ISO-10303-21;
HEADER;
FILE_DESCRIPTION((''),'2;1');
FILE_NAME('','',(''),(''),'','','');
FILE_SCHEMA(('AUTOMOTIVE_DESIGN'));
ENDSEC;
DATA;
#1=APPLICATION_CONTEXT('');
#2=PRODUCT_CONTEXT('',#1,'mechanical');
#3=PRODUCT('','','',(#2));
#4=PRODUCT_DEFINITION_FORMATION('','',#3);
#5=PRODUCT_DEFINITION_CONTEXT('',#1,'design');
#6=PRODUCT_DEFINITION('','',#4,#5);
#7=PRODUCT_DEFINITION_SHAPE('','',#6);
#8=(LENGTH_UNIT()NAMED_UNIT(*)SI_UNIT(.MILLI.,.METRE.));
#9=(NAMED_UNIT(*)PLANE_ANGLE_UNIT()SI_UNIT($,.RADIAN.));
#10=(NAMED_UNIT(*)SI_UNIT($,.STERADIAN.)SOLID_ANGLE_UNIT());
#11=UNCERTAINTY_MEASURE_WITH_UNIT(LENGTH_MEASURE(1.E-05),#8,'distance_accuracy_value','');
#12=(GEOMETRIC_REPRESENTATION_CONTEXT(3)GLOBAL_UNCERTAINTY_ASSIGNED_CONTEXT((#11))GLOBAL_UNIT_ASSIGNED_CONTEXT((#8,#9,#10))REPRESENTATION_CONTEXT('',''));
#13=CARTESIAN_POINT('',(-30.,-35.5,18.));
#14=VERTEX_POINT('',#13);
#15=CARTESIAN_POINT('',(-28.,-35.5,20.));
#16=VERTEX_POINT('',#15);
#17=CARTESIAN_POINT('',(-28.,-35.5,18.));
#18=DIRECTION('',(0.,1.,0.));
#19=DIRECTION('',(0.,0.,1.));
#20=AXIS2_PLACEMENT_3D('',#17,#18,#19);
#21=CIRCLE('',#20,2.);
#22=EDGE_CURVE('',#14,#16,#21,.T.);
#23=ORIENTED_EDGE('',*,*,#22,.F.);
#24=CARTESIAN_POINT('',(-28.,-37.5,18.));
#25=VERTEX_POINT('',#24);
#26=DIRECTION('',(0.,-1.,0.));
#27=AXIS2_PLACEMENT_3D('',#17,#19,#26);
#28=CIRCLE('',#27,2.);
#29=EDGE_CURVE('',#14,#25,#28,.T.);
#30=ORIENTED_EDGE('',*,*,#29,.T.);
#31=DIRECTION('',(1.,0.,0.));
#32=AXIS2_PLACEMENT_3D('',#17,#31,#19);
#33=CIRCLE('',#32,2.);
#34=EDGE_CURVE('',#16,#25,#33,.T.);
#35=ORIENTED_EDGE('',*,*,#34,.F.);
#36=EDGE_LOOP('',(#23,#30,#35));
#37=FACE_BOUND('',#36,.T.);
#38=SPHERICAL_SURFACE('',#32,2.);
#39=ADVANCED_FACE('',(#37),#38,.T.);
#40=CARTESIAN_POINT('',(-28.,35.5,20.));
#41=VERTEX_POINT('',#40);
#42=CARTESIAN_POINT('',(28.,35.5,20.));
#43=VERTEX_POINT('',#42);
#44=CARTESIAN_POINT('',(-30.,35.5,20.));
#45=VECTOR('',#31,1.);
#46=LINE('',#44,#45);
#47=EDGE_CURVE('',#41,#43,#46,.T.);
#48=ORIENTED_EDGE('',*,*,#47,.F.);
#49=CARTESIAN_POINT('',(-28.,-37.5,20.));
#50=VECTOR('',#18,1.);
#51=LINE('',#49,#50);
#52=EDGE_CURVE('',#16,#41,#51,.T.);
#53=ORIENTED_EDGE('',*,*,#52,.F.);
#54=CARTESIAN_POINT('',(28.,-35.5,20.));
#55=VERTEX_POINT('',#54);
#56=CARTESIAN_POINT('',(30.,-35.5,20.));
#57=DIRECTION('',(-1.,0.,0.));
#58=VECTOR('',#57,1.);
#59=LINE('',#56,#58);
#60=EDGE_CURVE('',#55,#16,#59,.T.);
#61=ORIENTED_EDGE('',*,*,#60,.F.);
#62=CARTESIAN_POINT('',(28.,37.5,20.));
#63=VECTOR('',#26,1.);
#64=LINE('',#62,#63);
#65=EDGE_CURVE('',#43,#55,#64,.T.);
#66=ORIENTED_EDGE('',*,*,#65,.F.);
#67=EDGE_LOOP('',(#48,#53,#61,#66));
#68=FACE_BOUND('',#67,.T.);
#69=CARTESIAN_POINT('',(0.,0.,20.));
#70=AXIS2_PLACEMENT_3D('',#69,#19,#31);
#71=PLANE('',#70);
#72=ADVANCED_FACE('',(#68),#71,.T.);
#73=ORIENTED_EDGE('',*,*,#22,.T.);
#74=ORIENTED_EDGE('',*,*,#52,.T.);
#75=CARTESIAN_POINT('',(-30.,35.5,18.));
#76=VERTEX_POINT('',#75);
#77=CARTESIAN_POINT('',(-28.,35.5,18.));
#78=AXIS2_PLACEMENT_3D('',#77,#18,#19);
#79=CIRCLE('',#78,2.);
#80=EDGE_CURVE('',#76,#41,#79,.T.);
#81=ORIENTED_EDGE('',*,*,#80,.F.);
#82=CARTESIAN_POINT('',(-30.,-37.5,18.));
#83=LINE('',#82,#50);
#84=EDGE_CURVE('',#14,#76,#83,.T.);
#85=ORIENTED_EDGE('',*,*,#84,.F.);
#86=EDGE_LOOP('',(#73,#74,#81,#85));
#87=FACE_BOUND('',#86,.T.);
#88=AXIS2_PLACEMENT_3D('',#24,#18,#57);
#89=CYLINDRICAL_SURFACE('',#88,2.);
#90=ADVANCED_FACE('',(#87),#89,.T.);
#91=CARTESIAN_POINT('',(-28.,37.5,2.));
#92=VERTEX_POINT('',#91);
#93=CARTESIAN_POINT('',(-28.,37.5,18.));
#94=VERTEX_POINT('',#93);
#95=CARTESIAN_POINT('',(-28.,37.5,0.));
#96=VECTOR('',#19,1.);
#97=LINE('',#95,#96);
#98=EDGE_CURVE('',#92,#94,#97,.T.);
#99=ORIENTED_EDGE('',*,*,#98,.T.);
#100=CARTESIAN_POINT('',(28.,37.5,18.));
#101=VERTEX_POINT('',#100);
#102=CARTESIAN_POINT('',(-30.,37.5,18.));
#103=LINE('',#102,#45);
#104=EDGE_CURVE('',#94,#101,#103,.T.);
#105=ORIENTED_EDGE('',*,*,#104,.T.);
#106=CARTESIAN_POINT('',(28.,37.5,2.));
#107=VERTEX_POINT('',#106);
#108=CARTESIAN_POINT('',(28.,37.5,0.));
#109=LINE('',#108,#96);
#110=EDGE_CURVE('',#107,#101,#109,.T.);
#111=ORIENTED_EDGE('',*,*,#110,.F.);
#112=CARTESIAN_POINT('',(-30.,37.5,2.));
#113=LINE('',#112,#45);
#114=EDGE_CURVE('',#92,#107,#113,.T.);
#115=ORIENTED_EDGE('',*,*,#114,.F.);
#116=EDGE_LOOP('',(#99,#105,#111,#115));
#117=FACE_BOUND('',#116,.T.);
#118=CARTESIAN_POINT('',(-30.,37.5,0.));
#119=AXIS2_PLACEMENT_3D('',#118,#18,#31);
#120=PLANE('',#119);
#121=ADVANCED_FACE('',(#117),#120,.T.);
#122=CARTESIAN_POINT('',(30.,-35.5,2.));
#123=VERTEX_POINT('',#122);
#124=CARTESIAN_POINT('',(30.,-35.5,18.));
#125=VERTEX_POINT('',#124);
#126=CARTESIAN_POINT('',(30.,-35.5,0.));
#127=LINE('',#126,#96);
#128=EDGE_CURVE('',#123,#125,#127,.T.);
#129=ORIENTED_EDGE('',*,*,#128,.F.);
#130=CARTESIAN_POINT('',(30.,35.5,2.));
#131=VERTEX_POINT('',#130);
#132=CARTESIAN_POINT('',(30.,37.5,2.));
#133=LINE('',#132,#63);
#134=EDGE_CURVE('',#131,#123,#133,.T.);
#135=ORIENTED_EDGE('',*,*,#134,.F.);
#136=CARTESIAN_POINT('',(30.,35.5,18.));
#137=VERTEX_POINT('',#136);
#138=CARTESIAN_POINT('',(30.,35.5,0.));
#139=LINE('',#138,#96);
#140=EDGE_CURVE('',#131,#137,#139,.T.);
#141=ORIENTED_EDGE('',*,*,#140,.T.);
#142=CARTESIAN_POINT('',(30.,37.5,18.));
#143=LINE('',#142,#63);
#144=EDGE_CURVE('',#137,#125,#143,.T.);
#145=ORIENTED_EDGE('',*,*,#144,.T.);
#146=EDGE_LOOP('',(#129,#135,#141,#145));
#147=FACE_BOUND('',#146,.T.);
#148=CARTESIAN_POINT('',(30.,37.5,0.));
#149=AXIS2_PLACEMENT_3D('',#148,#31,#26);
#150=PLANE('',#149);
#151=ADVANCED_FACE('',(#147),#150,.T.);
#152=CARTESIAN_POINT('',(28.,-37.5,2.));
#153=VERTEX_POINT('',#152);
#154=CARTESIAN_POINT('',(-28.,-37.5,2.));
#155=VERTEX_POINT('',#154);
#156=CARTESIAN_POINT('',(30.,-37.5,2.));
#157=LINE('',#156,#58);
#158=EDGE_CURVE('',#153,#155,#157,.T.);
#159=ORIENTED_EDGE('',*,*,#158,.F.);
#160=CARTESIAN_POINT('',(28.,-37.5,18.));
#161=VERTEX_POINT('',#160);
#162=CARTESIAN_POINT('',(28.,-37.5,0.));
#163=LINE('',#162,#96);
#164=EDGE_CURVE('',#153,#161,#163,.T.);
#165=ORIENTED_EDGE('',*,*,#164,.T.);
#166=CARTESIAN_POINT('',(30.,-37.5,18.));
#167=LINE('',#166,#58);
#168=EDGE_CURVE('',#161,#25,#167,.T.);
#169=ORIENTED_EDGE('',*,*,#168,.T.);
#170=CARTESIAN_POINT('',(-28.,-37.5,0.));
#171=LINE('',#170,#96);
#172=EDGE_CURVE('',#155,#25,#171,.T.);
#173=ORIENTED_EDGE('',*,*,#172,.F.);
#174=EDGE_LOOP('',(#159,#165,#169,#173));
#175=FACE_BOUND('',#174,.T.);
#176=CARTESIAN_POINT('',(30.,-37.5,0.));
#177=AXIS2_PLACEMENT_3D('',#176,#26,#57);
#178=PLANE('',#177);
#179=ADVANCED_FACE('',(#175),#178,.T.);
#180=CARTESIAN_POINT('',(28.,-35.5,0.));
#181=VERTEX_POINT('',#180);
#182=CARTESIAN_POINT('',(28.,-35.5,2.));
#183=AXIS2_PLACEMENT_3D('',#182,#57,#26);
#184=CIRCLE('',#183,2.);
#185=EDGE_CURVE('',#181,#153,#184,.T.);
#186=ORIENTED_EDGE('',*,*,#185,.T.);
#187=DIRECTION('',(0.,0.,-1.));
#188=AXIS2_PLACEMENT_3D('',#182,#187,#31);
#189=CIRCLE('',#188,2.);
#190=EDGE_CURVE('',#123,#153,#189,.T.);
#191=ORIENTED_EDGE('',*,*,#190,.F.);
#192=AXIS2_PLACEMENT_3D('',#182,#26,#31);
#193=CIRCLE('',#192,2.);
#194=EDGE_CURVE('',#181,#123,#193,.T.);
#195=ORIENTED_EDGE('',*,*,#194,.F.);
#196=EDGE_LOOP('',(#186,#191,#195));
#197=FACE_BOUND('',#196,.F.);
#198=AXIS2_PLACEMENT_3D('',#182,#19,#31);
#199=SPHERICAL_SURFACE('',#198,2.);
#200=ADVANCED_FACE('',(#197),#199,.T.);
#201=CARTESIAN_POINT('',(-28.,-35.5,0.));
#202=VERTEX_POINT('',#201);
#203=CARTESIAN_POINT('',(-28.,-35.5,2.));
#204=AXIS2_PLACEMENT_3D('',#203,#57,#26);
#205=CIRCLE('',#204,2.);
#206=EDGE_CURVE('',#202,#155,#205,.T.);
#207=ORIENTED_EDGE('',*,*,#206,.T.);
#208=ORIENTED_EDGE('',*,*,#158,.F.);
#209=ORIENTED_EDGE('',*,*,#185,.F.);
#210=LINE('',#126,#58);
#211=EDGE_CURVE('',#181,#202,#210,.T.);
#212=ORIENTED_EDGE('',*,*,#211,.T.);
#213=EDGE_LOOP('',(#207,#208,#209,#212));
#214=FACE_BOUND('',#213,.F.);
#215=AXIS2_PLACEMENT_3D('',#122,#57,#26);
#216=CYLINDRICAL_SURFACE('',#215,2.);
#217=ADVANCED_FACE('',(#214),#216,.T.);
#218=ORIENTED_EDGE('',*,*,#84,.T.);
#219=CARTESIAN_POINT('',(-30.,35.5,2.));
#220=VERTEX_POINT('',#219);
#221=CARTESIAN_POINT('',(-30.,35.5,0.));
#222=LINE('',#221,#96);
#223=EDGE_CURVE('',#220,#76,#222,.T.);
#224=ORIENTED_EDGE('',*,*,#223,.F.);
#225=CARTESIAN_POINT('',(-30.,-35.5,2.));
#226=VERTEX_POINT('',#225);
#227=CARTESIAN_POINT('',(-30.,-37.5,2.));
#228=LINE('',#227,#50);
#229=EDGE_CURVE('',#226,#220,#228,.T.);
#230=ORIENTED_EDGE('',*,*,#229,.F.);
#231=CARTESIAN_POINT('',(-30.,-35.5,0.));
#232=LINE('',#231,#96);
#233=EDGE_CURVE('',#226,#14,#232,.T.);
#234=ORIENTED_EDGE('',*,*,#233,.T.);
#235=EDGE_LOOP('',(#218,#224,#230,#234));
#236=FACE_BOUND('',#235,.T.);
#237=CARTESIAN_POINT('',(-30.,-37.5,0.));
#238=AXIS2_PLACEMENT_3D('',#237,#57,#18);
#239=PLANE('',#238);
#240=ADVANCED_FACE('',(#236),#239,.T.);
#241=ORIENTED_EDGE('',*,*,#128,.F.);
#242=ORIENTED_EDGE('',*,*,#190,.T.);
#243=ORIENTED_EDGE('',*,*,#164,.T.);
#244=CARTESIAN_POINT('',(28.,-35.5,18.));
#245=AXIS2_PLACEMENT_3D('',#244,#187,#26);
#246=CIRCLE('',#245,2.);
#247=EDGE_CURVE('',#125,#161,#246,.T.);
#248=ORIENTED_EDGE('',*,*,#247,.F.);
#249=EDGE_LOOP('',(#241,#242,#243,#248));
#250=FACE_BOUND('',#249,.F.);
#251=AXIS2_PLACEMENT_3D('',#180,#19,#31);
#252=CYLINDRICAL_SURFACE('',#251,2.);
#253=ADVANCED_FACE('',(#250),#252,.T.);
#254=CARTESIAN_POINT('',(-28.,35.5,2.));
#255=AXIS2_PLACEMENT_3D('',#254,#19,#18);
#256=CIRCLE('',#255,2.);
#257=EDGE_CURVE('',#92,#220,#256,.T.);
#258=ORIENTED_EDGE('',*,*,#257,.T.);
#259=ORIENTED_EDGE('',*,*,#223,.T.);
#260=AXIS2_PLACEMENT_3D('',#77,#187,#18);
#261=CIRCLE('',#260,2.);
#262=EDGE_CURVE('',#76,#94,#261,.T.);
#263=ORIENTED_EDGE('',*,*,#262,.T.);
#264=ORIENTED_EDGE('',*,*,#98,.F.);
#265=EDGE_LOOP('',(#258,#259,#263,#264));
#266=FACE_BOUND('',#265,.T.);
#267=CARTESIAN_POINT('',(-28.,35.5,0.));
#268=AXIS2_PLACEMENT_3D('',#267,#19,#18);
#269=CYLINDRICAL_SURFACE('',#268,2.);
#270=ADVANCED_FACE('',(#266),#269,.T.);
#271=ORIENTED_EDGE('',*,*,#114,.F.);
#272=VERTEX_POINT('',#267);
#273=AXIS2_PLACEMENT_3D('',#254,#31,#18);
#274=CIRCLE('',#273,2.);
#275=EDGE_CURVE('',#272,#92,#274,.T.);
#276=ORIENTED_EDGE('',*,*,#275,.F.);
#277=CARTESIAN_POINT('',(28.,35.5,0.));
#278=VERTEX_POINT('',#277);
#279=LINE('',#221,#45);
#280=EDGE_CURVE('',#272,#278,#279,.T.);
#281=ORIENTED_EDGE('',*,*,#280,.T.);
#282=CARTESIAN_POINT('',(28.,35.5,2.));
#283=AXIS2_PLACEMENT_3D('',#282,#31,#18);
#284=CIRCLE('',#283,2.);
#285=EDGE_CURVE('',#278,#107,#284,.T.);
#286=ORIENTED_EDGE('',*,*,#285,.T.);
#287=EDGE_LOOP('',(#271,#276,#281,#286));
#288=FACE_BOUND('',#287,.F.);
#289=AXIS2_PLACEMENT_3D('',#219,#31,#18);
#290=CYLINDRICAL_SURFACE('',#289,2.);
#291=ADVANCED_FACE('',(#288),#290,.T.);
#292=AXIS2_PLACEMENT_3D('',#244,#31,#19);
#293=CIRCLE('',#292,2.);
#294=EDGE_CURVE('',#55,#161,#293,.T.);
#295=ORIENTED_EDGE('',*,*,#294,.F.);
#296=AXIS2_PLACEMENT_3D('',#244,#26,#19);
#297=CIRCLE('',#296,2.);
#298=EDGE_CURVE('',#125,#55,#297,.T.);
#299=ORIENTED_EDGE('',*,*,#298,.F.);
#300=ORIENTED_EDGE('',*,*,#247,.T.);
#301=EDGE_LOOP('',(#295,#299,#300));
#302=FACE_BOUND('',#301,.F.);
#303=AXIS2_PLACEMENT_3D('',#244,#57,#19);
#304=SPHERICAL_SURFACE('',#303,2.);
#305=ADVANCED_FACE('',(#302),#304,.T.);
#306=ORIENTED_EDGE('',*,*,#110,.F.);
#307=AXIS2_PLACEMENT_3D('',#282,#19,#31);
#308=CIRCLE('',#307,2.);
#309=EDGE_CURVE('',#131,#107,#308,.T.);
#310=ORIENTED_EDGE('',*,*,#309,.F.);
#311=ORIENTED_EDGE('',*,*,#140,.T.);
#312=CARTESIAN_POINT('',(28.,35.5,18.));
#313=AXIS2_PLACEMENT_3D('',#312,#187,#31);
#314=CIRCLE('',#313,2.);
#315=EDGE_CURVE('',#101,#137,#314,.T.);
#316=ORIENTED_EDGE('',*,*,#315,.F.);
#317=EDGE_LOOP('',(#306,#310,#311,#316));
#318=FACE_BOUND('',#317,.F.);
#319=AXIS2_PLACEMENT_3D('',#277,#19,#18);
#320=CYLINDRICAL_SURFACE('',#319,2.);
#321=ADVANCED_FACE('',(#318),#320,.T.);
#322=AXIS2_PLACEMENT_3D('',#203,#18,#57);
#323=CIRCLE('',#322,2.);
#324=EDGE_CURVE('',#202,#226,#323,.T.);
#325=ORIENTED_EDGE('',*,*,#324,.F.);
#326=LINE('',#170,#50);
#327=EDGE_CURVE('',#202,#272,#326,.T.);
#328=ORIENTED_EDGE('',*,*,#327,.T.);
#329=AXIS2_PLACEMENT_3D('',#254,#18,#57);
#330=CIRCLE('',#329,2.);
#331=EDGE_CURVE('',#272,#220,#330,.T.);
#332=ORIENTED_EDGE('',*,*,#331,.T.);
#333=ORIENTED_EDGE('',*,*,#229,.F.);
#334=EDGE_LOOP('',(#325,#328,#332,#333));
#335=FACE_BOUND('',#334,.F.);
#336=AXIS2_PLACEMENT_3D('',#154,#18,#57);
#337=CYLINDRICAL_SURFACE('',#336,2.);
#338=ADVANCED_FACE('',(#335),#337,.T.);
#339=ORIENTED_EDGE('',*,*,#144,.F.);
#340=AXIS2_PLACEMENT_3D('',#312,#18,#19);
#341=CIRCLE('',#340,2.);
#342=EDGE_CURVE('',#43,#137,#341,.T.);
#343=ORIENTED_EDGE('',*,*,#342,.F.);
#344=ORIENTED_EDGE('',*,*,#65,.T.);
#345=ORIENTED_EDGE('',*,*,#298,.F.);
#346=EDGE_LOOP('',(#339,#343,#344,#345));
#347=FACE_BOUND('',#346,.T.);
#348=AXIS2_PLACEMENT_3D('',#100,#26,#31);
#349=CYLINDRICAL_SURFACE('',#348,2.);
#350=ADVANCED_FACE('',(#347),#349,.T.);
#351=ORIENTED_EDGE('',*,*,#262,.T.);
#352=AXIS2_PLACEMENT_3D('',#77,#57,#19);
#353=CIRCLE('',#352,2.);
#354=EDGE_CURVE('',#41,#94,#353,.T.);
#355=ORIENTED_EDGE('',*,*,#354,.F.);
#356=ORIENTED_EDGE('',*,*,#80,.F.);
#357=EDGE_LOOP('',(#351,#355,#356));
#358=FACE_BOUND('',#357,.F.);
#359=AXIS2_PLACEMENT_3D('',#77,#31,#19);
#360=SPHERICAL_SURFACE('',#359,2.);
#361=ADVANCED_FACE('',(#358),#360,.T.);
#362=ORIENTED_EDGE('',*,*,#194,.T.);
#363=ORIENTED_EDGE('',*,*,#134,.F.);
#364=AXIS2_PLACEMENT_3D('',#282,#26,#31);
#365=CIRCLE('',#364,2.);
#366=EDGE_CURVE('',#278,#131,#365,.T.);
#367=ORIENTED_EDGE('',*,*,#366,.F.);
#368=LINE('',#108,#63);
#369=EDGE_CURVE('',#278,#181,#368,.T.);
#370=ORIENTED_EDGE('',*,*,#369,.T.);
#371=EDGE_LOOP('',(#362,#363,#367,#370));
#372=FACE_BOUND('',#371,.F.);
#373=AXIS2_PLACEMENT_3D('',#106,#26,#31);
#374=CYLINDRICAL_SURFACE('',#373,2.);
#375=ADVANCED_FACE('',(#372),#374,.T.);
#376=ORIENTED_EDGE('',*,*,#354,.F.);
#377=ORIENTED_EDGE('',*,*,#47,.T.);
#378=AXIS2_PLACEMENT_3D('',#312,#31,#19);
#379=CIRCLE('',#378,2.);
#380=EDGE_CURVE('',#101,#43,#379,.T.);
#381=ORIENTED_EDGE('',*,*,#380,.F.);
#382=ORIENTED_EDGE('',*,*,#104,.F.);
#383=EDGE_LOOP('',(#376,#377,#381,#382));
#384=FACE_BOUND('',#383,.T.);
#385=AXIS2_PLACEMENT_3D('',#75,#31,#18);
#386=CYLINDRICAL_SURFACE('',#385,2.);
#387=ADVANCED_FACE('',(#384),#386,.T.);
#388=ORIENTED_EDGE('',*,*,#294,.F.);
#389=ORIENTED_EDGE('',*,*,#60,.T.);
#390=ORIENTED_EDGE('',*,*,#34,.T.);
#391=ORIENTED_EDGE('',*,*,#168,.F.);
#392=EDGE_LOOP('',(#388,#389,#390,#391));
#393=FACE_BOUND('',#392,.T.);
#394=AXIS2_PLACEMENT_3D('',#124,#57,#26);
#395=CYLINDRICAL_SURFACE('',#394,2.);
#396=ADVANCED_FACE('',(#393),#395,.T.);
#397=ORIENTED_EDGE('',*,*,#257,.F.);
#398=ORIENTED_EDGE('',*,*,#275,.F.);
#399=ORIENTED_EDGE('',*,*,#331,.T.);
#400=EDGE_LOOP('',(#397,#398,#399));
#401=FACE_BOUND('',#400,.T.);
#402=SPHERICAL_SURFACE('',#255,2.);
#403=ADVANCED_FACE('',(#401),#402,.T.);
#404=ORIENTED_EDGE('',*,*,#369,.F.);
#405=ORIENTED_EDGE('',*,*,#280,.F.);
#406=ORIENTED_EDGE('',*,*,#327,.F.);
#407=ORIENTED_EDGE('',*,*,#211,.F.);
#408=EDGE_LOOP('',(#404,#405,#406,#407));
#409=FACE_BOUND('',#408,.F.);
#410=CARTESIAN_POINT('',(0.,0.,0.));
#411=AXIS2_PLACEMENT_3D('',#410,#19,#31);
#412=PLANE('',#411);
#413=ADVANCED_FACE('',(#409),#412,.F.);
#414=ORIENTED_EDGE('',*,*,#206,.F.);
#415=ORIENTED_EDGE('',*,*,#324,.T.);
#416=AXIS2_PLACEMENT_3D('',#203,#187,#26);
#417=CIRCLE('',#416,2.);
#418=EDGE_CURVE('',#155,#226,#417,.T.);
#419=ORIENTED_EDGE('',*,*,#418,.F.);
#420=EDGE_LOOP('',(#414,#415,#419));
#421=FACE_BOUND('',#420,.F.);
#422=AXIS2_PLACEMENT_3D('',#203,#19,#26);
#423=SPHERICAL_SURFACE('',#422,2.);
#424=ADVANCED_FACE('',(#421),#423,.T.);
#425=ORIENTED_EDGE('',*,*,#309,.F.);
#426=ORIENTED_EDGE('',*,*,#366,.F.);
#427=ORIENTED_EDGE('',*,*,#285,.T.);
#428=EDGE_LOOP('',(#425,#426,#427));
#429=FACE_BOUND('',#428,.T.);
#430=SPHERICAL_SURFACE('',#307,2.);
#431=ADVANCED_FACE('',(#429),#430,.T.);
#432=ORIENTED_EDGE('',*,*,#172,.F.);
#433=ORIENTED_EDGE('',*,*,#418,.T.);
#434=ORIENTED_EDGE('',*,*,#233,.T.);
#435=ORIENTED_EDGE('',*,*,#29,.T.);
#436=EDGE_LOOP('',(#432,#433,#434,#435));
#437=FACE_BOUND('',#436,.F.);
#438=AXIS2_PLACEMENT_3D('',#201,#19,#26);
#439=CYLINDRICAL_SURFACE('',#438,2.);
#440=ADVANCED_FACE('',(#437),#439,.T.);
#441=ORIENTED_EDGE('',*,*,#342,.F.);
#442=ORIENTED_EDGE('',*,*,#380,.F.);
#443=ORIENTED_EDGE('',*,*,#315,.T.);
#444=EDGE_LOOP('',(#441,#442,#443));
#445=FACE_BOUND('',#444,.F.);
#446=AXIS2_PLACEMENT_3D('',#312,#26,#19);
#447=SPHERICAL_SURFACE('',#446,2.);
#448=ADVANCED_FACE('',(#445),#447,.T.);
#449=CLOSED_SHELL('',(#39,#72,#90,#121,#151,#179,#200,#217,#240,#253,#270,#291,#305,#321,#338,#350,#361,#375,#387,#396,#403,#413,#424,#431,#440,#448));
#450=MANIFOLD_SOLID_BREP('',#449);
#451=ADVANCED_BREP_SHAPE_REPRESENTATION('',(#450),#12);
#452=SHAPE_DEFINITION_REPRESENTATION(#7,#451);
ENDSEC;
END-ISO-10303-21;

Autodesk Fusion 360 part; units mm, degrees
sketch "Sketch1" plane through (0, 0, 0) normal (0, 0, 1) x (1, 0, 0)
  line L0 (-30, 37.5) -> (30, 37.5)
  line L1 (30, 37.5) -> (30, -37.5)
  line L2 (30, -37.5) -> (-30, -37.5)
  line L3 (-30, -37.5) -> (-30, 37.5)
  line L4 (-30, 37.5) -> (30, -37.5) construction
  line L5 (30, 37.5) -> (-30, -37.5) construction
  dimension "d1" = 60
  dimension "d2" = 75
extrude "Extrude1" add sketch "Sketch1" along normal blind 20
fillet "Fillet1" radius 2 12 edges at (0, -37.5, 20) (30, 0, 20) (0, 37.5, 20) (-30, 0, 20) (30, -37.5, 10) (-30, -37.5, 10) (30, 37.5, 10) (30, 0, 0) (0, -37.5, 0) (-30, 37.5, 10) (0, 37.5, 0) (-30, 0, 0)
